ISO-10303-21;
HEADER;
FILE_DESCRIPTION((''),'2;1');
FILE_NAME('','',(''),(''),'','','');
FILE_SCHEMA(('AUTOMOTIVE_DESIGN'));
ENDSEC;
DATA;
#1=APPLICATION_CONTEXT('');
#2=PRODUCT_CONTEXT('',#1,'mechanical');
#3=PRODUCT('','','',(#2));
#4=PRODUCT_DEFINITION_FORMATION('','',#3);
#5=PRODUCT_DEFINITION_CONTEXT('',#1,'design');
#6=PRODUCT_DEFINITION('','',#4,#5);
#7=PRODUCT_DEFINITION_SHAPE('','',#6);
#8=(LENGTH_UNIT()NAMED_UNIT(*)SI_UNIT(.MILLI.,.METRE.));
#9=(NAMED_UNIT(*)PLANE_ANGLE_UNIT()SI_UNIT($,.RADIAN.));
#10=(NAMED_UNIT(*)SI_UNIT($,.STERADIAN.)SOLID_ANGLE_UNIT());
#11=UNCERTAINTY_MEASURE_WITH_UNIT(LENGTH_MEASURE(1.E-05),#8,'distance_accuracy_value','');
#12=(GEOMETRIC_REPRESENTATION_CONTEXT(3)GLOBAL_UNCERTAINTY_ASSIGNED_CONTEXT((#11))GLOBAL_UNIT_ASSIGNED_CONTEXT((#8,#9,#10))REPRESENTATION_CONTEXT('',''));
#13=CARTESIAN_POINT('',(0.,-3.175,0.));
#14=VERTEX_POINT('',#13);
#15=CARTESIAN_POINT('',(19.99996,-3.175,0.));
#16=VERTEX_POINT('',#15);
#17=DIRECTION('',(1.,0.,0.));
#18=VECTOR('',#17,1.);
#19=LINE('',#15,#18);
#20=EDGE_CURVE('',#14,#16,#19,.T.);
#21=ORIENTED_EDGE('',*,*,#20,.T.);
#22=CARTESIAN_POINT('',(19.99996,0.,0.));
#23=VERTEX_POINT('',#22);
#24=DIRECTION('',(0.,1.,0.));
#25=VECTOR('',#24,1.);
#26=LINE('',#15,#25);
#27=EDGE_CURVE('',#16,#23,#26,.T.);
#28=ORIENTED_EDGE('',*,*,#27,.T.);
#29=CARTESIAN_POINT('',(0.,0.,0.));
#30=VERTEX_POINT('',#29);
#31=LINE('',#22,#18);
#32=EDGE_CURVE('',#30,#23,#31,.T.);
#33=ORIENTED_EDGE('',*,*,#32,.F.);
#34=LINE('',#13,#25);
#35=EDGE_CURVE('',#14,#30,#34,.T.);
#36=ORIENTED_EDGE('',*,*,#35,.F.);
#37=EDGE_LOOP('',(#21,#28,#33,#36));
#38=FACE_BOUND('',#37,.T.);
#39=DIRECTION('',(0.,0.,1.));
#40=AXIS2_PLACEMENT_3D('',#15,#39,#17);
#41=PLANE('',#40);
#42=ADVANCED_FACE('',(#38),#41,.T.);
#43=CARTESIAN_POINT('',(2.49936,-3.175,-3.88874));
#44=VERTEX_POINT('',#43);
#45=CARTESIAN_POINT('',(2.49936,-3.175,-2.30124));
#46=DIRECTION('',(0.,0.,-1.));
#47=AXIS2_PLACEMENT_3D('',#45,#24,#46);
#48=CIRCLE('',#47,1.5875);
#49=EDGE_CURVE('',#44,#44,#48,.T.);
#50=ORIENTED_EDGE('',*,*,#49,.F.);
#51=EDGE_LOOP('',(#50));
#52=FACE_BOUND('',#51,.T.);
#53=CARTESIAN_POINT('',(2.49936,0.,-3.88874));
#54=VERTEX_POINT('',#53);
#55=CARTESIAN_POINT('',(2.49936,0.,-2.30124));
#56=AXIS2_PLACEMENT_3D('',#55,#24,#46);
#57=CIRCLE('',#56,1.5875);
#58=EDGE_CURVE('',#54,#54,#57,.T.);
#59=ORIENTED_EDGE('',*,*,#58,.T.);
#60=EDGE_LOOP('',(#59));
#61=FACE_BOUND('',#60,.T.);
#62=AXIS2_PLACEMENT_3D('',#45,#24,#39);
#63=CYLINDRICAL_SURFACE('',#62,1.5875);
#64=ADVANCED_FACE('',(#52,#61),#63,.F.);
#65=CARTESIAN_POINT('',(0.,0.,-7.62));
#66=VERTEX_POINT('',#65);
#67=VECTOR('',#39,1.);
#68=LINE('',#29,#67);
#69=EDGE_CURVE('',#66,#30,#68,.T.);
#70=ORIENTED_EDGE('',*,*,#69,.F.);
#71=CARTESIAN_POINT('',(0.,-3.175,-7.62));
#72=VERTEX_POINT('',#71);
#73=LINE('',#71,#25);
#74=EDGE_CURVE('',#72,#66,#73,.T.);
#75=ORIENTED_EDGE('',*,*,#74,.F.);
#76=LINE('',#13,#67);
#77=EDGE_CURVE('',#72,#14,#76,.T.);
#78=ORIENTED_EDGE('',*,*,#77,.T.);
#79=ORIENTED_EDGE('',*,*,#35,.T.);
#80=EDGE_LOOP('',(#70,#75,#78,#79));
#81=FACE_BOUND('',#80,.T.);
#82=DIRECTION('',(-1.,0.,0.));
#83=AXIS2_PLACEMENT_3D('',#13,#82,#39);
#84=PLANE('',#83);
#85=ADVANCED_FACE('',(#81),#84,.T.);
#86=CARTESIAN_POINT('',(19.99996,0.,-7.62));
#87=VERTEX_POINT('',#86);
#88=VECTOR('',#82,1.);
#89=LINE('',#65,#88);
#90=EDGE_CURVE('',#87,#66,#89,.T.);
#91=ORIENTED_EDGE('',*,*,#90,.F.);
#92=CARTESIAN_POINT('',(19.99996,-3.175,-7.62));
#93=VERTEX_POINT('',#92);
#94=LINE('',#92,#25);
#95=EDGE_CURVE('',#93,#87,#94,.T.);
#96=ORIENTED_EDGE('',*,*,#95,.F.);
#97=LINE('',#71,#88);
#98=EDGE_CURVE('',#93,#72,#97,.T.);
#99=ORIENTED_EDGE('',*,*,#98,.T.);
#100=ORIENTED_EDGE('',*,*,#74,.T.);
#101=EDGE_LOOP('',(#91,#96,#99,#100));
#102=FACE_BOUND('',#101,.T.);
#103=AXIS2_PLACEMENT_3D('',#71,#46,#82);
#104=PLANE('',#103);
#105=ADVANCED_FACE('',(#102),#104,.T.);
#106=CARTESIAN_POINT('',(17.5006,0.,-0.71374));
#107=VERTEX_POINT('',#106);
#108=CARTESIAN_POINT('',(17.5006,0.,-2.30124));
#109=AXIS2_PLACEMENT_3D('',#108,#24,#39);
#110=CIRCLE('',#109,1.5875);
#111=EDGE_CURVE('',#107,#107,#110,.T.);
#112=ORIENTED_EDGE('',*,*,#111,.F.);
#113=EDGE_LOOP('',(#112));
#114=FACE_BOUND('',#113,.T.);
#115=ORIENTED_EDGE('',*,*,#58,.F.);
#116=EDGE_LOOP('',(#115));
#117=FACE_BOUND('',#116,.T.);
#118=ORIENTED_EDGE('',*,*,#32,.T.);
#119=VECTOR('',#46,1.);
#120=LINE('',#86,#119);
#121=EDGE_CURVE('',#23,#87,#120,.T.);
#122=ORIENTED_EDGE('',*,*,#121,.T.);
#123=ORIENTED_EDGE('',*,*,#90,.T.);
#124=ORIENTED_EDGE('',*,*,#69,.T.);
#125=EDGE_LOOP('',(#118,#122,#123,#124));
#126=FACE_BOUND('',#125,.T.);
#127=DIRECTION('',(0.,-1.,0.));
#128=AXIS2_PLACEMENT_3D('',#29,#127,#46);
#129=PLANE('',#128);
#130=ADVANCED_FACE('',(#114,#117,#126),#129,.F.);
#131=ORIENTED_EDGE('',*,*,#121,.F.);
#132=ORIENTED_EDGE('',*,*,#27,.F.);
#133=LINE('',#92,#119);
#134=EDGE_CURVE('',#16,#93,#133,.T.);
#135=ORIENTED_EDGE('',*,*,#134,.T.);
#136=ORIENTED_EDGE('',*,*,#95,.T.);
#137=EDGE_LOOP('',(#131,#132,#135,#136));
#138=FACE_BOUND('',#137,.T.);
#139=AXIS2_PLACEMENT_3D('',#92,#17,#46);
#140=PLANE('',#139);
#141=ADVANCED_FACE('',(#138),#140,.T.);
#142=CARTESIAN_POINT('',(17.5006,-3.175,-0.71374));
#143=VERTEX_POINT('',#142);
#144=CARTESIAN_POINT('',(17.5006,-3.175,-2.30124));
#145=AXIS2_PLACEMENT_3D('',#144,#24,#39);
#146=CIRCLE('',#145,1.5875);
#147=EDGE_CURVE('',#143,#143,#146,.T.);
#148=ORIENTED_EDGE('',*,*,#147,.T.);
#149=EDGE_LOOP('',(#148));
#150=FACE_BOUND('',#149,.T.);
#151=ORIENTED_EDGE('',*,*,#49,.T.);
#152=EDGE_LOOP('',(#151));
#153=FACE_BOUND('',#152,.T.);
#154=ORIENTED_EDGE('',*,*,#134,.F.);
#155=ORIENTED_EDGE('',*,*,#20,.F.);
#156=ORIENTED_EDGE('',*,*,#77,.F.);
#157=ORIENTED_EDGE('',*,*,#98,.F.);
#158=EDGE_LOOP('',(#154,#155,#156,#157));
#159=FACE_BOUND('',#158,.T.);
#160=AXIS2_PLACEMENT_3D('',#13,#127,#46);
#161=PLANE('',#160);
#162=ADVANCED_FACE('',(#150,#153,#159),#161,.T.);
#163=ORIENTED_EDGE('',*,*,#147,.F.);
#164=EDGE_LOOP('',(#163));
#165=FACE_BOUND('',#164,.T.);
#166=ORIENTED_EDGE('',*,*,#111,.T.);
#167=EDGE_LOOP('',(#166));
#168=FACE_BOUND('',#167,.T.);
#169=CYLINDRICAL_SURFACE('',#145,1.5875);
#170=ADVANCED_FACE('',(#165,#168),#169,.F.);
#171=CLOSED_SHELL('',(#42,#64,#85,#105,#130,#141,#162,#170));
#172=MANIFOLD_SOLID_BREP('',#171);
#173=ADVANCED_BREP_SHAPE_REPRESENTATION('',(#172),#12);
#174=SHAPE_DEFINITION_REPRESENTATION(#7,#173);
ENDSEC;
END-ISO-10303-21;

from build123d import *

# Parameters (mm, degrees)
SKETCH2_W           = 19.99996
SKETCH2_H           = 7.62
SKETCH2_R           = 1.5875
BOSS_EXTRUDE1_DEPTH = 3.175


with BuildPart() as part:
    # Sketch2 → Boss-Extrude1 (new body)
    with BuildSketch(Plane(origin=(0, 0, 0), x_dir=(1, 0, 0), z_dir=(0, 1, 0))):
        with Locations((9.99998, 3.81)):
            Rectangle(SKETCH2_W, SKETCH2_H)
        with Locations(Location((17.5006, 2.30124, 0), (0, 0, 270))):
            Circle(SKETCH2_R, mode=Mode.SUBTRACT)
        with Locations(Location((2.49936, 2.30124, 0), (0, 0, 90))):
            Circle(SKETCH2_R, mode=Mode.SUBTRACT)
    extrude(amount=-BOSS_EXTRUDE1_DEPTH)


solid = part.part
